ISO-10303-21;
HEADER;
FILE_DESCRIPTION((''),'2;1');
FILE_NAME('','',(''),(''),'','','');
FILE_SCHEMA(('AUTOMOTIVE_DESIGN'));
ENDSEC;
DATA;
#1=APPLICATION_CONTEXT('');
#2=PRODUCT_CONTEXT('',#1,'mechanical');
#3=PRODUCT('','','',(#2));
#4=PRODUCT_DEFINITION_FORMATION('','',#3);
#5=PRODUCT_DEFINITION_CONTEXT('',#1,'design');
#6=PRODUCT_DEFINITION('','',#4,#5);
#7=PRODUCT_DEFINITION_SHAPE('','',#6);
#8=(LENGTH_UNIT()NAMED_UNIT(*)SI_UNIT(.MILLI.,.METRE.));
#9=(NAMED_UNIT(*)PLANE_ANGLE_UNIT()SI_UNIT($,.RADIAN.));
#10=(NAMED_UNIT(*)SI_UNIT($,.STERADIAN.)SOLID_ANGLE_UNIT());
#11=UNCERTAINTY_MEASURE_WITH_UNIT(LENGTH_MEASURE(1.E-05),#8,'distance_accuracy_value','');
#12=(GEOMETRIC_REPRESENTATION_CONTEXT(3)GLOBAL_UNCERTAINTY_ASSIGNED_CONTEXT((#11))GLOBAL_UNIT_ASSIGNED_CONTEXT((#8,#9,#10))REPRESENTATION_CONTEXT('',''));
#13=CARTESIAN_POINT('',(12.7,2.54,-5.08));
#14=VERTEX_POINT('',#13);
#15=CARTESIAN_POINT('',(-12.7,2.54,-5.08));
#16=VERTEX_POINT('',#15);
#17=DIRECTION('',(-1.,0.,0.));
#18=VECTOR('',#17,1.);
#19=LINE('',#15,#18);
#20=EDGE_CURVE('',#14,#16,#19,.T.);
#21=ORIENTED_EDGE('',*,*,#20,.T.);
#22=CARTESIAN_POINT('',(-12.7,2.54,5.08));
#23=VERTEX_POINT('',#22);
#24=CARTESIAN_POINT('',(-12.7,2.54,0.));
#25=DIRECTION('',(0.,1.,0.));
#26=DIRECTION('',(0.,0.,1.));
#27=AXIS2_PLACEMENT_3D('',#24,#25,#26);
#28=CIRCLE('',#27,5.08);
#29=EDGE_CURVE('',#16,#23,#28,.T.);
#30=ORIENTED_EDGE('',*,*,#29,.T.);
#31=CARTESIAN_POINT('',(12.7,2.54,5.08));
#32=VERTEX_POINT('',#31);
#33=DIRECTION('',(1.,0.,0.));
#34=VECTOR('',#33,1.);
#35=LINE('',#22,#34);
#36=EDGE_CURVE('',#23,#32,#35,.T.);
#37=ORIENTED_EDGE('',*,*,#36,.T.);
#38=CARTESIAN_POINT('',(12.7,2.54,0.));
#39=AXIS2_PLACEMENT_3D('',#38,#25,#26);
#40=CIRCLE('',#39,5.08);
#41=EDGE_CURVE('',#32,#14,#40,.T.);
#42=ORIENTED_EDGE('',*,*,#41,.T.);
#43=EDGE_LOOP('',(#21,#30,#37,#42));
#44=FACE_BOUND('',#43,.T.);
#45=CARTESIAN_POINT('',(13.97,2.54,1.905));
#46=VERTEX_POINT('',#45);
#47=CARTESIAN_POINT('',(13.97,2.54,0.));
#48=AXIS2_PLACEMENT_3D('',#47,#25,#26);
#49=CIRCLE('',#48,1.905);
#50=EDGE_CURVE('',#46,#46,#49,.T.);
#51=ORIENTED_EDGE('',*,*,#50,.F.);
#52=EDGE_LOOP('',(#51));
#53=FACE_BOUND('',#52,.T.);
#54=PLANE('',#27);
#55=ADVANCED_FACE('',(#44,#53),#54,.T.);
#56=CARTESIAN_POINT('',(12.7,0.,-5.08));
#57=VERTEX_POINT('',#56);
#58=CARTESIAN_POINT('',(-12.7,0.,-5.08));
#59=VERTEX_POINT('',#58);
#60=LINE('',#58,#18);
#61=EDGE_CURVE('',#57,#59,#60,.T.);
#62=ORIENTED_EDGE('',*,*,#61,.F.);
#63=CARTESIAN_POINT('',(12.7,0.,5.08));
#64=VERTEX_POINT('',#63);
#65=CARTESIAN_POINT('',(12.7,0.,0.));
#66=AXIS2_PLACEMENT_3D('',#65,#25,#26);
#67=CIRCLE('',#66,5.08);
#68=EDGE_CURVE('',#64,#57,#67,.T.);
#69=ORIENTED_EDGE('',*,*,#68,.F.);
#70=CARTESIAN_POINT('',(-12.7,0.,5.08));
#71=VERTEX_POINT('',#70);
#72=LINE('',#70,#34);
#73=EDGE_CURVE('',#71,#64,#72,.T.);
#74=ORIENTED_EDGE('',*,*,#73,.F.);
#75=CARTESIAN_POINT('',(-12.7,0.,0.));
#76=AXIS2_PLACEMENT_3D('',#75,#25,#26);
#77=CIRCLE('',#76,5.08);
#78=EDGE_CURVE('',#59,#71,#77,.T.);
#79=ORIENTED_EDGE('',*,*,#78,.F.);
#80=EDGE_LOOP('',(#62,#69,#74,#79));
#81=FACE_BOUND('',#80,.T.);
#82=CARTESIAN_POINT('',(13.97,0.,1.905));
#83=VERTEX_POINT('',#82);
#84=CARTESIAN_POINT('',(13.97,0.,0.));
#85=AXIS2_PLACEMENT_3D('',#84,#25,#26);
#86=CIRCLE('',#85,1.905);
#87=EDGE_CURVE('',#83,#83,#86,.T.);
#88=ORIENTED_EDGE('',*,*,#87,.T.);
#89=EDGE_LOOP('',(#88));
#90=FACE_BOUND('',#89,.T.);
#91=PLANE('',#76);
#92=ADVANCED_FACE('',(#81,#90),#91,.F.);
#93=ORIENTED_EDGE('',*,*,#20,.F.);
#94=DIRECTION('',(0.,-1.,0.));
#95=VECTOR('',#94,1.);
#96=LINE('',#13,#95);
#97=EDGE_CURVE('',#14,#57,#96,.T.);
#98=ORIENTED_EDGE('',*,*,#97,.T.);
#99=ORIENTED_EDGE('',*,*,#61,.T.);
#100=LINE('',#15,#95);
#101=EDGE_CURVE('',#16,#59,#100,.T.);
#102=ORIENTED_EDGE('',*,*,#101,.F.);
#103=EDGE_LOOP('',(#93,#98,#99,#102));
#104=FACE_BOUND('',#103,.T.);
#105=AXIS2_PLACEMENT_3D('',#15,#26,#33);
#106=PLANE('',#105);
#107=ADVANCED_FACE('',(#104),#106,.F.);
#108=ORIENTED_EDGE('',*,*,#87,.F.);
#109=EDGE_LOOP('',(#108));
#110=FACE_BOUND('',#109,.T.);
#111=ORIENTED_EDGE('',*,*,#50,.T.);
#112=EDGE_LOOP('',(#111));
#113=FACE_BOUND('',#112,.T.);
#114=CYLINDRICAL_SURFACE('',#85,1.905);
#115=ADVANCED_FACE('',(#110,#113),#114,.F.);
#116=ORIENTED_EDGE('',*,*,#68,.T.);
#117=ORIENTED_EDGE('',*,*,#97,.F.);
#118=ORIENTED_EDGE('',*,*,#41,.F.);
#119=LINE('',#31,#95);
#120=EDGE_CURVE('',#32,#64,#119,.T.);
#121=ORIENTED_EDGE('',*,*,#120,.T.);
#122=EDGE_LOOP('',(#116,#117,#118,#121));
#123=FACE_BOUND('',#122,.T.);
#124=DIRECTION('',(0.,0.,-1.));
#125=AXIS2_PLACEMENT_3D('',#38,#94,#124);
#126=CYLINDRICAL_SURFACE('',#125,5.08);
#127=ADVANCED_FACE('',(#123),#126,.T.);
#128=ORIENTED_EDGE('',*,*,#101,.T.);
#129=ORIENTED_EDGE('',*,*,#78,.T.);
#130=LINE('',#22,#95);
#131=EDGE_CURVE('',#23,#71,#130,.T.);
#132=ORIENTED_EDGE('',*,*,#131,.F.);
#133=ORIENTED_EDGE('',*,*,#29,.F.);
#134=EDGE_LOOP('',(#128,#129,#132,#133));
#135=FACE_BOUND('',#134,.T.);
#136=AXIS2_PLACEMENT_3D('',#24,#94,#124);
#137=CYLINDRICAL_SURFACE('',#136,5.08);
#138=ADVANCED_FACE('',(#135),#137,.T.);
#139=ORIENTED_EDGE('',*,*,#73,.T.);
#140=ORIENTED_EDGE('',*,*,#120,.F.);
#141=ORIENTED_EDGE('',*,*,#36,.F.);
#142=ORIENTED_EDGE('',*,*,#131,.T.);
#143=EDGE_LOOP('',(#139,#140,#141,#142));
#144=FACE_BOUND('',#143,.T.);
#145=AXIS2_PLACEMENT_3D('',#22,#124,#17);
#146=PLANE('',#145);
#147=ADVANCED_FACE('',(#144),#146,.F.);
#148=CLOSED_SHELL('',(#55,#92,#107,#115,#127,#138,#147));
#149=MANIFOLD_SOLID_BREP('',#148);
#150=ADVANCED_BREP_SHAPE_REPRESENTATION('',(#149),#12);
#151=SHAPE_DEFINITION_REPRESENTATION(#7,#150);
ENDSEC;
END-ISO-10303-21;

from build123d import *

# Parameters (mm, degrees)
BATON_DEPTH       = 2.54
SKETCH5_R         = 1.905
JOINER_HOLE_DEPTH = 2.54


with BuildPart() as part:
    # Sketch1 → baton (new body)
    with BuildSketch(Plane(origin=(0, 0, 0), x_dir=(1, 0, 0), z_dir=(0, 1, 0))):
        with BuildLine():
            Line((-12.7, 5.08), (12.7, 5.08))
            ThreePointArc((12.7, 5.08), (17.78, 0), (12.7, -5.08))
            Line((12.7, -5.08), (-12.7, -5.08))
            ThreePointArc((-12.7, -5.08), (-17.78, 0), (-12.7, 5.08))
        make_face()
    extrude(amount=BATON_DEPTH)

    # Sketch5 → joiner hole (cut)
    with BuildSketch(Plane(origin=(0, 2.54, 0), x_dir=(1, 0, 0), z_dir=(0, 1, 0))):
        with Locations(Location((13.97, 0, 0), (0, 0, 270))):
            Circle(SKETCH5_R)
    extrude(amount=-JOINER_HOLE_DEPTH, mode=Mode.SUBTRACT)


solid = part.part
